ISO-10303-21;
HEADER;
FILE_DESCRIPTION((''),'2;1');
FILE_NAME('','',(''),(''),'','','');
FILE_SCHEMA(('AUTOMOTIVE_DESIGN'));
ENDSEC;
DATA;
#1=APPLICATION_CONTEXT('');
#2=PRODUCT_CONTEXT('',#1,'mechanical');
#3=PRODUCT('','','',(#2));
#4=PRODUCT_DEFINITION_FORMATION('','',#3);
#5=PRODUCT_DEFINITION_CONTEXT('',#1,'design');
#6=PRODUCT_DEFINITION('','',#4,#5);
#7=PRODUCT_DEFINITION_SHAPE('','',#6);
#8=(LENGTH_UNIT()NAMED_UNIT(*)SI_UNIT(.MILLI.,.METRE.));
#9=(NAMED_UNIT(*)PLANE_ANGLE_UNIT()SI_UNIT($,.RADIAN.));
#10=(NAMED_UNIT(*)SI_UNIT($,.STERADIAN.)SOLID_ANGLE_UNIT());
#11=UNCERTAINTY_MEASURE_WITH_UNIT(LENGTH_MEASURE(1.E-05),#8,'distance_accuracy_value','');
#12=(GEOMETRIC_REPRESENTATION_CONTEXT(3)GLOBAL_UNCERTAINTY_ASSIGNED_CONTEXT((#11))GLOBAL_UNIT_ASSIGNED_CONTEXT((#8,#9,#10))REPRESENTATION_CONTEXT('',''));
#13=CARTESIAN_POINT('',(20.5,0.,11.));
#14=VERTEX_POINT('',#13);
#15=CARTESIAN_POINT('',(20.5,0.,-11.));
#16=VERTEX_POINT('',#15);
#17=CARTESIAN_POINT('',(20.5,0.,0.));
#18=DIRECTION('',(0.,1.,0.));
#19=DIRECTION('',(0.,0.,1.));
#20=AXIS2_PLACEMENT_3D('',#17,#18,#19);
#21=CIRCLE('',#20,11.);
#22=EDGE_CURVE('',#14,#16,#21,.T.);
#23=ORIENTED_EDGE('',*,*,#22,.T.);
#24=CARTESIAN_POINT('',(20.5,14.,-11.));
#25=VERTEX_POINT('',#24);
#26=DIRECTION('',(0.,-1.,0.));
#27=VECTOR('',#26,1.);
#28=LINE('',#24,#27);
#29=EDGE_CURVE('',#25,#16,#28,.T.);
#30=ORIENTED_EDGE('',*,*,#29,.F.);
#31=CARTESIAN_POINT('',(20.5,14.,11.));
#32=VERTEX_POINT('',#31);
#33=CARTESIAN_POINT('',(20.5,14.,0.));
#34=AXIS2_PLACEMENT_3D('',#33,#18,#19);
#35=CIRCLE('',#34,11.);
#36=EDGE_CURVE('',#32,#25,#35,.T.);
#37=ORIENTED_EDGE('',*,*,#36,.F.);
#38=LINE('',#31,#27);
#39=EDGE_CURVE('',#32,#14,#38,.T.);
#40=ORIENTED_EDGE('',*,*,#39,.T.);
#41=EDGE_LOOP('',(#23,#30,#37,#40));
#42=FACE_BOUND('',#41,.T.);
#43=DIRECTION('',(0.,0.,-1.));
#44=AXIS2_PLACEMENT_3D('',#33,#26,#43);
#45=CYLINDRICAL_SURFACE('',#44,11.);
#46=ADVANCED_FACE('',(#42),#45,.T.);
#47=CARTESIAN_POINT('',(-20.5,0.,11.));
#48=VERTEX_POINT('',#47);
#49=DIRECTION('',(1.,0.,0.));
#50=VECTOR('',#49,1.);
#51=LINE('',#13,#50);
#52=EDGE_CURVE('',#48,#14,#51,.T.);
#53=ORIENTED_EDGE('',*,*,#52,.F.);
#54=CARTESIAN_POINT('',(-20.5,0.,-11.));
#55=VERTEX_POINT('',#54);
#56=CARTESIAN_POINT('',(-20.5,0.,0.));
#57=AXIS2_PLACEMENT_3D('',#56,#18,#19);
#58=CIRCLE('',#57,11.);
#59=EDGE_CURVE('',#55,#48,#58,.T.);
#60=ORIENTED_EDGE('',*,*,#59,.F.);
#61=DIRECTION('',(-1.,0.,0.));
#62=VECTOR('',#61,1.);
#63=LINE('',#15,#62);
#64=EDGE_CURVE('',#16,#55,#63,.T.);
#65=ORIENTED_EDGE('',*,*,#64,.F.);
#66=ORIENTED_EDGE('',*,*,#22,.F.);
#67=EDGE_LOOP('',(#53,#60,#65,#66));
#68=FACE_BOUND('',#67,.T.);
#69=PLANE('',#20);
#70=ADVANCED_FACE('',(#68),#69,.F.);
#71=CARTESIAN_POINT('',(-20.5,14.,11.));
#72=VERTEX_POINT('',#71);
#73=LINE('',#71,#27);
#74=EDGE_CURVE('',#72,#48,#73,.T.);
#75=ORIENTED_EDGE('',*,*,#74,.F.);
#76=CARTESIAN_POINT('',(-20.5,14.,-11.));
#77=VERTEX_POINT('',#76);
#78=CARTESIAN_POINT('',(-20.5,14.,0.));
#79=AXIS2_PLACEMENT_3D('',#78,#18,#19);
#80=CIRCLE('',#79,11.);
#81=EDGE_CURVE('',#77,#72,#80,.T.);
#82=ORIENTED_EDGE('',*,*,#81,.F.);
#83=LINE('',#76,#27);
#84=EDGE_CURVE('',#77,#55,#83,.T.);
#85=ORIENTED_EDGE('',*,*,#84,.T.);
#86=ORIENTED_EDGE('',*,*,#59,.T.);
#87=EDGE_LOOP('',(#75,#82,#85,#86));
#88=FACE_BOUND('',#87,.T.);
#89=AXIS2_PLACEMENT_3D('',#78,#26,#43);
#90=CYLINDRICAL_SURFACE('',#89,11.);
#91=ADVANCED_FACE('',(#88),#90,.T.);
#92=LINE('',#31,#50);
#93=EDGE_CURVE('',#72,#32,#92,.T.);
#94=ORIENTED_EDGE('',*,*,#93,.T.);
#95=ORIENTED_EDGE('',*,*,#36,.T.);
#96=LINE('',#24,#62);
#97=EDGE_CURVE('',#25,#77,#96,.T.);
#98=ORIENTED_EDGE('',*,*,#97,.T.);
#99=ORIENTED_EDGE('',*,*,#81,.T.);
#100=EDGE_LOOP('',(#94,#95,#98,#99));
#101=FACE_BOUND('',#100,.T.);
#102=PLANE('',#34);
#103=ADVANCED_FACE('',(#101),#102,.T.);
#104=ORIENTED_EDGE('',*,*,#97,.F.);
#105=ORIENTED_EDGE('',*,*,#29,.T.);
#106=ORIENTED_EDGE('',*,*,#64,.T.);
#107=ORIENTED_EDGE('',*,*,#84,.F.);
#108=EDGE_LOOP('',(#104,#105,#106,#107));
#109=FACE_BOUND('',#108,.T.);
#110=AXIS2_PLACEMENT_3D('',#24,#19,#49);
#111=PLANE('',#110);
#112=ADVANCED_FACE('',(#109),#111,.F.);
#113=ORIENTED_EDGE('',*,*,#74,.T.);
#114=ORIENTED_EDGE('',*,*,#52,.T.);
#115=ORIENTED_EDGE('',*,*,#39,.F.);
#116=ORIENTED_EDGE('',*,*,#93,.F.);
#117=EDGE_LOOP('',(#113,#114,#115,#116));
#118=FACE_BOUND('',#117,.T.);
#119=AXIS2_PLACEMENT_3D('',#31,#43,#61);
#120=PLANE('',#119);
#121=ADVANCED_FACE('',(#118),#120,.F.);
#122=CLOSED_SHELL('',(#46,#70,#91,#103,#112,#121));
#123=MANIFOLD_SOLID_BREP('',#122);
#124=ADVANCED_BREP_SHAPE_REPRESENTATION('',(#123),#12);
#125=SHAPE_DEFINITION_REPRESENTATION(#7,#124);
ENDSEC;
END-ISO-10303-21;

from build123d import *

# Parameters (mm, degrees)
BOSS_EXTRU_1_DEPTH = 14


with BuildPart() as part:
    # Esquisse1 → Boss.-Extru.1 (new body)
    with BuildSketch(Plane(origin=(0, 0, 0), x_dir=(1, 0, 0), z_dir=(0, 1, 0))):
        with BuildLine():
            Line((20.5, -11), (-20.5, -11))
            ThreePointArc((-20.5, -11), (-31.5, 0), (-20.5, 11))
            Line((-20.5, 11), (20.5, 11))
            ThreePointArc((20.5, 11), (31.5, 0), (20.5, -11))
        make_face()
    extrude(amount=BOSS_EXTRU_1_DEPTH)


solid = part.part
